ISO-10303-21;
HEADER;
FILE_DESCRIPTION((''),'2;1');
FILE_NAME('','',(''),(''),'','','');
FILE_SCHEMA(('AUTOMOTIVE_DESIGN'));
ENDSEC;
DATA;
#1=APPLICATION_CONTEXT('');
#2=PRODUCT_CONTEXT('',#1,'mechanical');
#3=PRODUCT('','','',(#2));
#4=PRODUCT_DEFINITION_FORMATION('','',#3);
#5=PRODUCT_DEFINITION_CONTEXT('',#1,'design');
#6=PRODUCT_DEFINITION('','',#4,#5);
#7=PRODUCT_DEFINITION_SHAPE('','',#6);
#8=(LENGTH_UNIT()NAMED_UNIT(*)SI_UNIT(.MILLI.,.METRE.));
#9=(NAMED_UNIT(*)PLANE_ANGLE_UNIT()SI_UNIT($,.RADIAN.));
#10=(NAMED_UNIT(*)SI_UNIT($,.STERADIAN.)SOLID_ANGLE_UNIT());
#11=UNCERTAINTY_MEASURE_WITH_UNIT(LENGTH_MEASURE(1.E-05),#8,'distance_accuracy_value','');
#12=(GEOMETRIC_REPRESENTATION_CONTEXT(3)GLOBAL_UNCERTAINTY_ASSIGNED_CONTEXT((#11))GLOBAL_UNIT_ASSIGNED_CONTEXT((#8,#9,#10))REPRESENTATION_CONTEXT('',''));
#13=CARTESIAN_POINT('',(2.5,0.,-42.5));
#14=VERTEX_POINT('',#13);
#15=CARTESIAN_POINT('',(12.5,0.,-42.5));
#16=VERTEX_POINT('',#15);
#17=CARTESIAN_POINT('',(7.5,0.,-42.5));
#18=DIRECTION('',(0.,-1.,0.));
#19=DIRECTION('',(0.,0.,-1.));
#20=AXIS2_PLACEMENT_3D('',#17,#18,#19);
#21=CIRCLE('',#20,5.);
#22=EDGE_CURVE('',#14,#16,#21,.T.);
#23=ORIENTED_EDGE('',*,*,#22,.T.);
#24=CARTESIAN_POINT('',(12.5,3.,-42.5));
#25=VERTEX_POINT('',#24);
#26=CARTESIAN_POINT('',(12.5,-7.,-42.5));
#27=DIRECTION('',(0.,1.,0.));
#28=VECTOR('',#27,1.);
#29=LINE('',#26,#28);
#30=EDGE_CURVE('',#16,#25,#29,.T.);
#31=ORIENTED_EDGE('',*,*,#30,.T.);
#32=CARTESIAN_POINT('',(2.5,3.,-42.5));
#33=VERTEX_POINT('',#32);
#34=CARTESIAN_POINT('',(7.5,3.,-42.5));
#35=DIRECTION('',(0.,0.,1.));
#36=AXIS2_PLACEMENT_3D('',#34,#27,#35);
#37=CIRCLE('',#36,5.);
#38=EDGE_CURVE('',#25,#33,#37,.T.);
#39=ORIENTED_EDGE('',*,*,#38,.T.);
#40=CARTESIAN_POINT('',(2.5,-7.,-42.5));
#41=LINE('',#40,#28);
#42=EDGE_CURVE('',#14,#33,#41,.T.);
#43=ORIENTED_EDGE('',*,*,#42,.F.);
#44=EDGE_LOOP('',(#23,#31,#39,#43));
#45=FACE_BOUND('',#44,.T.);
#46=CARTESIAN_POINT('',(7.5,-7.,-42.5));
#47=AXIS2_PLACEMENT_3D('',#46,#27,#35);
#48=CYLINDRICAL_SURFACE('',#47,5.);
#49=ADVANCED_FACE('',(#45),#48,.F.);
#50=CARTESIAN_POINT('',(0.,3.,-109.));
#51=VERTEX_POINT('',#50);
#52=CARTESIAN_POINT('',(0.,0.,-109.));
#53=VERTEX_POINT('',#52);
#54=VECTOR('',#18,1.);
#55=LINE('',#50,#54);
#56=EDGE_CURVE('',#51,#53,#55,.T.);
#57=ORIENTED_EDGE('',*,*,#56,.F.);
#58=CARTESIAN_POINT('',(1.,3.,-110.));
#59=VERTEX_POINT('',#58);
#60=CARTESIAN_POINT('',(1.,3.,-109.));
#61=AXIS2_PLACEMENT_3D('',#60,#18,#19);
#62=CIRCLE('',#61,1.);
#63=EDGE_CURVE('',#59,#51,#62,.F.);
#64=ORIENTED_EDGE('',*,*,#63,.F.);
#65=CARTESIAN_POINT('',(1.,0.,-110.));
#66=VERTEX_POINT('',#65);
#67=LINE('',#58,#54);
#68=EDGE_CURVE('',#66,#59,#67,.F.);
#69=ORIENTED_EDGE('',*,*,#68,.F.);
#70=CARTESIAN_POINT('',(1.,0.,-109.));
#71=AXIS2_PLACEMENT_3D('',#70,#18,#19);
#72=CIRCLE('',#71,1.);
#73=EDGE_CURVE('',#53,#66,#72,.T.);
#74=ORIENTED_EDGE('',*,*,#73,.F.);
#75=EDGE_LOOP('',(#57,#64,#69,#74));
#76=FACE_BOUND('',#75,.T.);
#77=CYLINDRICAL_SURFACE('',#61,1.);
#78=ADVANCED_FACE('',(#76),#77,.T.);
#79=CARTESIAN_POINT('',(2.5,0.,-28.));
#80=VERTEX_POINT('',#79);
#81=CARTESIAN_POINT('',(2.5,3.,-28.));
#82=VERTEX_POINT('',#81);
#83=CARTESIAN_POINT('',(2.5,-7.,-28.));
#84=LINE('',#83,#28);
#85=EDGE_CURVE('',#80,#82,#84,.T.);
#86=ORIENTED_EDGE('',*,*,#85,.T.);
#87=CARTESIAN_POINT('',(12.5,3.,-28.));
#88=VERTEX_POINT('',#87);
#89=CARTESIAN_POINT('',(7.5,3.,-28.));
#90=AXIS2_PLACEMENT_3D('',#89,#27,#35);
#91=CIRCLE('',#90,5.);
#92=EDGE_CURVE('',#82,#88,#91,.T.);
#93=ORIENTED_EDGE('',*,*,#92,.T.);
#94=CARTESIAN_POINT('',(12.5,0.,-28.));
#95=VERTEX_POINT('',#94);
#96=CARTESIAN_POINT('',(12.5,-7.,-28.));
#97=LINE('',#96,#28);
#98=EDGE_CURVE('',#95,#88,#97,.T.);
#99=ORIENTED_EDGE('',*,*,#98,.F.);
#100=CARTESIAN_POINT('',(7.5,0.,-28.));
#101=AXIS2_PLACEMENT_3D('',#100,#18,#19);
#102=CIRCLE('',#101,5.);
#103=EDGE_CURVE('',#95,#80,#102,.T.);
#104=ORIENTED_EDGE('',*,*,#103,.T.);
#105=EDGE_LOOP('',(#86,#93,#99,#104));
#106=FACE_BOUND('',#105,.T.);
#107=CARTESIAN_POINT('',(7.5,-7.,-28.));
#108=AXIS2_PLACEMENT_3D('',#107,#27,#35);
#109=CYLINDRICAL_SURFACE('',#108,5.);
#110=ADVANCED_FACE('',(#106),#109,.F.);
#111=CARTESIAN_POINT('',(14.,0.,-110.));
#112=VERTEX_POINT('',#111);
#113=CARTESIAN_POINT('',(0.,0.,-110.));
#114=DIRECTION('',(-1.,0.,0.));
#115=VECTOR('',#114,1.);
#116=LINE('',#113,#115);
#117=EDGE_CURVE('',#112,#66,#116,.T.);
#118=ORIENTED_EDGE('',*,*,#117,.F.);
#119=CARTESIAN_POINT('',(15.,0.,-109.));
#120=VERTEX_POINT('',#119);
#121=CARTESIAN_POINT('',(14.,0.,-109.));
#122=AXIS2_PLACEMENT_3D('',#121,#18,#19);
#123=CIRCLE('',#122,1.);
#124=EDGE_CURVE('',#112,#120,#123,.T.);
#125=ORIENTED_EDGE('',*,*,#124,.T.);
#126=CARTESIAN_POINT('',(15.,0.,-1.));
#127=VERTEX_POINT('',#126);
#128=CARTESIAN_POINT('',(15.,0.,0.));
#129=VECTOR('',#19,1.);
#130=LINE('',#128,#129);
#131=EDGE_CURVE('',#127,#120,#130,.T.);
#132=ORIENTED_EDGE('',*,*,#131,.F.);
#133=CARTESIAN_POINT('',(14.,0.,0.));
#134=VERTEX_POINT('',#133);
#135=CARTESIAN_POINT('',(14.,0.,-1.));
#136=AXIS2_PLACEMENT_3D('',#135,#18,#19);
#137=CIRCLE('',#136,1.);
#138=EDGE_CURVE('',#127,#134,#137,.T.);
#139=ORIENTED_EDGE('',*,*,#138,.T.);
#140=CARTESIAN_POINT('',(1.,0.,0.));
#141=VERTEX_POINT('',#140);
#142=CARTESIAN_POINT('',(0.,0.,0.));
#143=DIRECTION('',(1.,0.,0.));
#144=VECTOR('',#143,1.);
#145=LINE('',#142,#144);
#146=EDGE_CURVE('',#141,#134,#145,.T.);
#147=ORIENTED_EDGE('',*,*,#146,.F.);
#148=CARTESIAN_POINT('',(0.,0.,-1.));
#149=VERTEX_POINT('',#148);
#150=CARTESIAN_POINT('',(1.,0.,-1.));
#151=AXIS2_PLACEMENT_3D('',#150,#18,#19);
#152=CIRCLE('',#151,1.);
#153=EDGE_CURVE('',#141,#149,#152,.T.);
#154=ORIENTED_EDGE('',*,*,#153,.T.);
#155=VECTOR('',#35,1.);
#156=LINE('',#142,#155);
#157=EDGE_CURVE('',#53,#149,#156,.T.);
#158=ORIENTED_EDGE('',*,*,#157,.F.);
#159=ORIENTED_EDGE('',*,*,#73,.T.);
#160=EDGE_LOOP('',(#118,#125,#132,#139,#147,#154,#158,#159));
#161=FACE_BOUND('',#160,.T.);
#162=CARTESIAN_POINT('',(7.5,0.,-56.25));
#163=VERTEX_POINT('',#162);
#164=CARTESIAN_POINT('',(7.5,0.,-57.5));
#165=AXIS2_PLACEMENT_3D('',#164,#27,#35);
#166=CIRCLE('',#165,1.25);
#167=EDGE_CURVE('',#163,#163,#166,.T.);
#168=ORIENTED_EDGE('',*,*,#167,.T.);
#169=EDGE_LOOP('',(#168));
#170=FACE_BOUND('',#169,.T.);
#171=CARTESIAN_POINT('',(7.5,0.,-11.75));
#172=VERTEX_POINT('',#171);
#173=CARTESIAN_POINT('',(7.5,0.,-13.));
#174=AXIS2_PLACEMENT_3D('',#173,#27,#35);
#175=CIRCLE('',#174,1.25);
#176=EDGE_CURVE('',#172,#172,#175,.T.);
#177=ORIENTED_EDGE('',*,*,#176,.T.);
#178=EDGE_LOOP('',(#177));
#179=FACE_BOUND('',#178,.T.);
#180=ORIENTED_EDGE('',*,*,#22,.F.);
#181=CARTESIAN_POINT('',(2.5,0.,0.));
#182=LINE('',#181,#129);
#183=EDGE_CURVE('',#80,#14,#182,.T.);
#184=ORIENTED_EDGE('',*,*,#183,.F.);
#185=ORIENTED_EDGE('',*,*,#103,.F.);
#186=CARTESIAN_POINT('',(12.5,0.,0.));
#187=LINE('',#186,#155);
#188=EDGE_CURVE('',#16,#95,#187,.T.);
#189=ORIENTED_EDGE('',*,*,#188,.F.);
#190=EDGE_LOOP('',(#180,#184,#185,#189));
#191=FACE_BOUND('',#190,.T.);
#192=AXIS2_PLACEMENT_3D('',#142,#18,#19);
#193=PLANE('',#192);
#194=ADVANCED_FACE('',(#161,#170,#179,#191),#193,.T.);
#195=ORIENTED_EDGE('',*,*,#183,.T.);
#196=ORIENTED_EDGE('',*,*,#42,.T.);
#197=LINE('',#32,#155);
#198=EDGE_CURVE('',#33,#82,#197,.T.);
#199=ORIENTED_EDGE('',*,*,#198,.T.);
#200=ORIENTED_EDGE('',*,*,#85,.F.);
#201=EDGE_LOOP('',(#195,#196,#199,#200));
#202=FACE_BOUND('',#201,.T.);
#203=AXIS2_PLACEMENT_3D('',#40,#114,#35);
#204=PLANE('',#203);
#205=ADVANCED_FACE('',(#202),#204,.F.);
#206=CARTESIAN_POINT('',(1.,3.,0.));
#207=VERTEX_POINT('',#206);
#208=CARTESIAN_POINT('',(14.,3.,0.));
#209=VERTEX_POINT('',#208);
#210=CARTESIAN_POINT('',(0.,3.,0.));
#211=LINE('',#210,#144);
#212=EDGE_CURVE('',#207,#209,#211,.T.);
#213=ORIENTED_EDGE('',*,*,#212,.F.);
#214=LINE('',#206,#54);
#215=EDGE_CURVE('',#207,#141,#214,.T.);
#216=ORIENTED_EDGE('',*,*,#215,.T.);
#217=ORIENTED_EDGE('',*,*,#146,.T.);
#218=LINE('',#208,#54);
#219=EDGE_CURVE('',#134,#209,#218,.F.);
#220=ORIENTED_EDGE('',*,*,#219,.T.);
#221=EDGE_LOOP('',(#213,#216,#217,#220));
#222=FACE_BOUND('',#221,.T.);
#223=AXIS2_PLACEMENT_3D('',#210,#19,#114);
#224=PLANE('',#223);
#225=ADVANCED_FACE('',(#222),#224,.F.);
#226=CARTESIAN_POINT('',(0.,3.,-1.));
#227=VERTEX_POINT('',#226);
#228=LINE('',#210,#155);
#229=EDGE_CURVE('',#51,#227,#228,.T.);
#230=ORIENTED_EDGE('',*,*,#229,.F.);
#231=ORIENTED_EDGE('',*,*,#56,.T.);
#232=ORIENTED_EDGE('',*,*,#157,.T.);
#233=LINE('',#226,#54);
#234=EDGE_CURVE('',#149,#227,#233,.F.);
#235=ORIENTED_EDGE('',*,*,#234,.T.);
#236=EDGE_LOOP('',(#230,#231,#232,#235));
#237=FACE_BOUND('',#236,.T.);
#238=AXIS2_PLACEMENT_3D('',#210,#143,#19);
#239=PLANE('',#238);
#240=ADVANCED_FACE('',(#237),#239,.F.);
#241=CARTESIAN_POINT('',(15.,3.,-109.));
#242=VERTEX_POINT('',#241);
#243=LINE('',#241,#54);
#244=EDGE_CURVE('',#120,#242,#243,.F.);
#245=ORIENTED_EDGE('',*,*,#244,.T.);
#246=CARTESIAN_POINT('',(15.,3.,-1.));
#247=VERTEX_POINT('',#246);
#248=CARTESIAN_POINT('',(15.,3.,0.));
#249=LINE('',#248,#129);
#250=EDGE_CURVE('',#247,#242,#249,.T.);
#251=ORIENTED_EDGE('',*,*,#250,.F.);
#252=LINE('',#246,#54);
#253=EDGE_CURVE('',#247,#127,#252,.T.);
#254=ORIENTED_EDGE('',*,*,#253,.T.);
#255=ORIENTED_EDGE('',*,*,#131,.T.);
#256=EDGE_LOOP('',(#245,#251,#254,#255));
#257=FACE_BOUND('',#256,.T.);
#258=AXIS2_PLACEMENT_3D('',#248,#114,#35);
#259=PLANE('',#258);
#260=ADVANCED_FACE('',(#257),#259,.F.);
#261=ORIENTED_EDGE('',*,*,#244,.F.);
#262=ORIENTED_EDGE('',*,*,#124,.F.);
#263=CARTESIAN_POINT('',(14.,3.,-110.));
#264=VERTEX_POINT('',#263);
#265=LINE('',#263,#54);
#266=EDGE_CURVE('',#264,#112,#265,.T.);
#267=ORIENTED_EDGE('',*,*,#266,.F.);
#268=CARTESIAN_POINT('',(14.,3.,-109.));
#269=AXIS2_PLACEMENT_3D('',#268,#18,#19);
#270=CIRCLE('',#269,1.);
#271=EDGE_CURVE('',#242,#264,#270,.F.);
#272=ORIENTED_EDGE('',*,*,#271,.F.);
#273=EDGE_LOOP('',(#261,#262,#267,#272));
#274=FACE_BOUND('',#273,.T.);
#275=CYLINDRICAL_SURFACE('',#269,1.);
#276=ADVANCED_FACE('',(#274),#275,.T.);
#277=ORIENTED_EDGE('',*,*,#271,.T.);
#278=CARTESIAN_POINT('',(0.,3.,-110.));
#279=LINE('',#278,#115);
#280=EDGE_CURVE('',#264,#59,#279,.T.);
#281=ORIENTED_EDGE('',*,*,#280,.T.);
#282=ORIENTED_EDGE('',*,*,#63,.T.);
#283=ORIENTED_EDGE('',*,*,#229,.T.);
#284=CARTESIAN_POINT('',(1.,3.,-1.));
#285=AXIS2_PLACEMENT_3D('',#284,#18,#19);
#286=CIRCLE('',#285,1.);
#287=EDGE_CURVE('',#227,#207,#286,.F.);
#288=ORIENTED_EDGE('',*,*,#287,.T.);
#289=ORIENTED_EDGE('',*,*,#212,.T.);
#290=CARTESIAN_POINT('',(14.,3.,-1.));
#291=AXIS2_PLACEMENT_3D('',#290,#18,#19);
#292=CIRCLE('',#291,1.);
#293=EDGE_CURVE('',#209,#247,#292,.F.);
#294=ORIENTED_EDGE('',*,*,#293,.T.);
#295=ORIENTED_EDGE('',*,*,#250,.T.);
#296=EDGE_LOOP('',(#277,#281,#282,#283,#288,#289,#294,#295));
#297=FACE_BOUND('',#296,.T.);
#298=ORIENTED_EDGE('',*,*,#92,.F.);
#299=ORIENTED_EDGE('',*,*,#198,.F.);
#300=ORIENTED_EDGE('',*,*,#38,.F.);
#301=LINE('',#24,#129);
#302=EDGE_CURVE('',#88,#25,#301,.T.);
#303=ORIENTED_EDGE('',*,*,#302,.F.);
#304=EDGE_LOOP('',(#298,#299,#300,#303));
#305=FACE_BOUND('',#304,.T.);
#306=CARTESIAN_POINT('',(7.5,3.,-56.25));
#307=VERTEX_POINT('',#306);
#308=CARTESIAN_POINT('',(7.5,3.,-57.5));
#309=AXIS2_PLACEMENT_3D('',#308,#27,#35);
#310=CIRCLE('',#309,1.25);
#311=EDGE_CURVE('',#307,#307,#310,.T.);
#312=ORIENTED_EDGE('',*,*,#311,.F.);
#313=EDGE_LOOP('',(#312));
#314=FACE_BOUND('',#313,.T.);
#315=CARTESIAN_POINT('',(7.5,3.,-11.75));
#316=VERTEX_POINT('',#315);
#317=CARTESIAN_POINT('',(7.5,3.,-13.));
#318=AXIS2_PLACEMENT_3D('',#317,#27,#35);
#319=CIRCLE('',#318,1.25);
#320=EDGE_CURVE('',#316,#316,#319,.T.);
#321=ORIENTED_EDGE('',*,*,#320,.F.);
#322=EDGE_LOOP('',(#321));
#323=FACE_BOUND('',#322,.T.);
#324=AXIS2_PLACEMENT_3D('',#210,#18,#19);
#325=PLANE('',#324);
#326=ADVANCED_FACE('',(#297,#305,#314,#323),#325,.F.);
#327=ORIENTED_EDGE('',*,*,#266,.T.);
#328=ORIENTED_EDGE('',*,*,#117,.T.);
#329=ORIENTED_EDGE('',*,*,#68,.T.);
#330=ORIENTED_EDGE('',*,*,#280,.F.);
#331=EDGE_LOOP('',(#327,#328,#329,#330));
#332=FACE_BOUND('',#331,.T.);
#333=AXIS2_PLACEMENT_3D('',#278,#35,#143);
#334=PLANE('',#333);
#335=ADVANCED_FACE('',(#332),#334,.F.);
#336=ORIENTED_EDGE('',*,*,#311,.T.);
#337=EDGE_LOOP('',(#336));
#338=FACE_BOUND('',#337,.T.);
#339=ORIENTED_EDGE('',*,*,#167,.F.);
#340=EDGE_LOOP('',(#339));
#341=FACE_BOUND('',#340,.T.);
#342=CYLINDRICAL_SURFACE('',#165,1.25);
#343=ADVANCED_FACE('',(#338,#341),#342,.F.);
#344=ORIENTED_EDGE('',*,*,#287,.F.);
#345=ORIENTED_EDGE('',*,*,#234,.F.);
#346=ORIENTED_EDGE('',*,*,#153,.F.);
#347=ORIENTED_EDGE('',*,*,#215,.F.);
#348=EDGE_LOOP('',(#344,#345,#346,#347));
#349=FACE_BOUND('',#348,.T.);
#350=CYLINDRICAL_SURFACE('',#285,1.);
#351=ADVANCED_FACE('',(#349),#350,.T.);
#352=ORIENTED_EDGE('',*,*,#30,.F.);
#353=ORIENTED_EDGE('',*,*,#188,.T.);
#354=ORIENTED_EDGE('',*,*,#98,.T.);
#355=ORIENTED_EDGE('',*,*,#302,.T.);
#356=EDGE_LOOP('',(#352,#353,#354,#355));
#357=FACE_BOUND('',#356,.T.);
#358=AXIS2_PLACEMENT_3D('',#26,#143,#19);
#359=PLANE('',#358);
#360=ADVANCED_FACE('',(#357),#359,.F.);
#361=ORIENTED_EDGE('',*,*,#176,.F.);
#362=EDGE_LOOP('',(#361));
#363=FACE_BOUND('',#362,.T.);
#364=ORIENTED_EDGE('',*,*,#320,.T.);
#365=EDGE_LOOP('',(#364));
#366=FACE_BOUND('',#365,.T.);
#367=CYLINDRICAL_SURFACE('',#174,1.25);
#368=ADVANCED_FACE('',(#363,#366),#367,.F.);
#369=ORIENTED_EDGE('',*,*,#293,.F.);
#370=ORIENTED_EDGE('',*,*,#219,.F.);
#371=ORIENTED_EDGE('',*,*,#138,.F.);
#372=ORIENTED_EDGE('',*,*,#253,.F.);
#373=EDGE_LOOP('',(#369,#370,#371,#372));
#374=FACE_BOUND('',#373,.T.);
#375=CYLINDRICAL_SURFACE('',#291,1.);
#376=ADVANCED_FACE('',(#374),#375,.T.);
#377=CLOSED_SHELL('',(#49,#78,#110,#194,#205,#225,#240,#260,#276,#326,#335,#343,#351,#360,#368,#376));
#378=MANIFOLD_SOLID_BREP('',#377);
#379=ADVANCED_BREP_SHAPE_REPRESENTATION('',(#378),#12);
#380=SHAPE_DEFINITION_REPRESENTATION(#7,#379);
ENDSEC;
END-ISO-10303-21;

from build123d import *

# Parameters (mm, degrees)
SKETCH_1_W          = 15
SKETCH_1_H          = 110
EXTRUDE_1_DEPTH     = 3
FILLET_1_R          = 1
SKETCH_2_R          = 1.25
CUT_EXTRUDE_1_DEPTH = 3
CUT_EXTRUDE_2_DEPTH = 10


with BuildPart() as part:
    # 草图1 → 凸台-拉伸1 (new body)
    with BuildSketch(Plane(origin=(0, 0, 0), x_dir=(1, 0, 0), z_dir=(0, 1, 0))):
        with Locations((7.5, 55)):
            Rectangle(SKETCH_1_W, SKETCH_1_H)
    extrude(amount=EXTRUDE_1_DEPTH)

    # 圆角1
    fillet_1_edges = [part.edges().sort_by_distance(p)[0] for p in [
        (0, 1.5, -110),
        (15, 1.5, -110),
        (15, 1.5, 0),
        (0, 1.5, 0),
    ]]
    fillet(fillet_1_edges, radius=FILLET_1_R)

    # 草图2 → 切除-拉伸1 (cut)
    with BuildSketch(Plane(origin=(0, 3, 0), x_dir=(1, 0, 0), z_dir=(0, 1, 0))):
        with Locations((7.5, 13)):
            Circle(SKETCH_2_R)
        with Locations((7.5, 57.5)):
            Circle(SKETCH_2_R)
    extrude(amount=-CUT_EXTRUDE_1_DEPTH, mode=Mode.SUBTRACT)

    # 草图3 → 切除-拉伸2 (cut)
    with BuildSketch(Plane(origin=(0, 3, 0), x_dir=(1, 0, 0), z_dir=(0, 1, 0))):
        with BuildLine():
            Line((12.5, 42.5), (12.5, 28))
            ThreePointArc((12.5, 28), (7.5, 23), (2.5, 28))
            Line((2.5, 28), (2.5, 42.5))
            ThreePointArc((2.5, 42.5), (7.5, 47.5), (12.5, 42.5))
        make_face()
    extrude(amount=-CUT_EXTRUDE_2_DEPTH, mode=Mode.SUBTRACT)


solid = part.part
